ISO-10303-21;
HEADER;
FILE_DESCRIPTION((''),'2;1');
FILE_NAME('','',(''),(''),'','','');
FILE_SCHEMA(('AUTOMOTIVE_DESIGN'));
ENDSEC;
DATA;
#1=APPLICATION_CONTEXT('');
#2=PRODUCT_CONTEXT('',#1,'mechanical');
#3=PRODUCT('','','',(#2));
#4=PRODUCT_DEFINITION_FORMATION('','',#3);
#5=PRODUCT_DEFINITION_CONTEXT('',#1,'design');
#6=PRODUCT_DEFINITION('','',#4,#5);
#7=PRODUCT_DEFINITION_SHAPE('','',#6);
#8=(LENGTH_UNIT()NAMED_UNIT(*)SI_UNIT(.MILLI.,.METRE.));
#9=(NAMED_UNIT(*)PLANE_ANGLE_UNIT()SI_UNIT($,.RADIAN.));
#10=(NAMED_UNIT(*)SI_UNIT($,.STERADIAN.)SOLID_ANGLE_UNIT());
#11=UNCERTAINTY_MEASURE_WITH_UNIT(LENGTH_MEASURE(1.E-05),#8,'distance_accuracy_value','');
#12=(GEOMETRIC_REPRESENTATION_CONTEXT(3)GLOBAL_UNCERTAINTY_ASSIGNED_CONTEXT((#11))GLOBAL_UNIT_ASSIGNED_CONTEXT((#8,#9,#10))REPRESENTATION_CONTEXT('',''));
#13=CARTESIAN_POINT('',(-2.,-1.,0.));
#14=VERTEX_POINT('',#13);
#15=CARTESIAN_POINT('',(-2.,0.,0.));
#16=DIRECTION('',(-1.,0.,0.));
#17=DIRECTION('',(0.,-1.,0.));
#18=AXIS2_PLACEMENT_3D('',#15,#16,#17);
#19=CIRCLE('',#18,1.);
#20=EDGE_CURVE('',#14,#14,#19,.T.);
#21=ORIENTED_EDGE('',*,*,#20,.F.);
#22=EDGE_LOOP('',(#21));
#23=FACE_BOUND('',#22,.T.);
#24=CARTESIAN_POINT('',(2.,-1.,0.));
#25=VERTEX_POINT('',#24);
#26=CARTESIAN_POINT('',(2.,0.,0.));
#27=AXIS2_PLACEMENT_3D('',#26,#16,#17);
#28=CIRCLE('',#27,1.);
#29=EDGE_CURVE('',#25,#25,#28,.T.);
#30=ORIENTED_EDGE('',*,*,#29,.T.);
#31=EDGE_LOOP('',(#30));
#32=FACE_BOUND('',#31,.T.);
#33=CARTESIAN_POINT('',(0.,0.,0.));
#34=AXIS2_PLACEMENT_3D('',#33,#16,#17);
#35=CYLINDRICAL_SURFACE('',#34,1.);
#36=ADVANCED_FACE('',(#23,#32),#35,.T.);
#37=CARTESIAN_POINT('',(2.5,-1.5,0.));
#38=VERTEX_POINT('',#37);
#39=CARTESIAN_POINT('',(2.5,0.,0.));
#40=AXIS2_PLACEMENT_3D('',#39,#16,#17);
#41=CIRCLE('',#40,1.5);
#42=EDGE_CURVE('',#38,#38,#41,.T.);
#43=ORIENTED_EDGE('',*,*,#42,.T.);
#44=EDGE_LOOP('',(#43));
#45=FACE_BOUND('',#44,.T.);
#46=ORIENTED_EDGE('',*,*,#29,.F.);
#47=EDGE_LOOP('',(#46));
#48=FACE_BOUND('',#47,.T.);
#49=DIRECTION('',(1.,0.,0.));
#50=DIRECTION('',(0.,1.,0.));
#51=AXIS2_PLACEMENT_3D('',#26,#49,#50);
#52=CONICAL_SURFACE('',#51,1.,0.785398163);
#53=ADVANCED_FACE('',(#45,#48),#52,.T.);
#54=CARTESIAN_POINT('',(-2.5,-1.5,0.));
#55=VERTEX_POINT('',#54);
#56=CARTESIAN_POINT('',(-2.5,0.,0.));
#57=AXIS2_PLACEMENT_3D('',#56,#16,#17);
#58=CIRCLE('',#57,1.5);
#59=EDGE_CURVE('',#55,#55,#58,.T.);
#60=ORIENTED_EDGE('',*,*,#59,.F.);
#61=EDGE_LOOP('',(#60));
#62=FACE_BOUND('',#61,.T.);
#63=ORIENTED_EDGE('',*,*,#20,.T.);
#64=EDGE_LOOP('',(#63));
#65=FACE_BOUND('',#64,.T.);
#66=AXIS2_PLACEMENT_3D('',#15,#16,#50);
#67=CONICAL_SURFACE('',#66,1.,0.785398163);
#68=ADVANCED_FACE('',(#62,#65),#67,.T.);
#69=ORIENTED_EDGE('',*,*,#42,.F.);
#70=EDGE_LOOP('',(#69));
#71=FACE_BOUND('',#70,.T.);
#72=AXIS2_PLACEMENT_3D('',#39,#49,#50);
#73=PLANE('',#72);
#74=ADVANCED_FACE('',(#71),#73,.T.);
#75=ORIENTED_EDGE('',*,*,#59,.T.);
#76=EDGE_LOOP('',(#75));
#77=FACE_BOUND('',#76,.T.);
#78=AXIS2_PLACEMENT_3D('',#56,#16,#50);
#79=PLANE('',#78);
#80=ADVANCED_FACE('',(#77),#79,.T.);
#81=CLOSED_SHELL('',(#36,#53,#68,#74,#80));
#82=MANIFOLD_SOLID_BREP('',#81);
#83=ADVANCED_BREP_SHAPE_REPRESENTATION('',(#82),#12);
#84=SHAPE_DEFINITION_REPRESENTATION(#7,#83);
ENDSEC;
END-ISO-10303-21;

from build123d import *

# Parameters (mm, degrees)
SKETCH_1_W = 2
SKETCH_1_H = 1


with BuildPart() as part:
    # 草图1 → 旋转1 (revolve)
    with BuildSketch(Plane.XY, mode=Mode.PRIVATE) as revolve_1_sk:
        with Locations((1, 0.5)):
            Rectangle(SKETCH_1_W, SKETCH_1_H)
        Polygon((2.5, 0), (2, 0), (2, 1), (2.5, 1.5), align=None)
    revolve_1 = revolve(revolve_1_sk.sketch.rotate(Axis((0, 0, 0), (1, 0, 0)), 180), axis=Axis((0, 0, 0), (1, 0, 0)))

    # 镜向1: 旋转1 across plane
    add(revolve_1.mirror(Plane.ZY))


solid = part.part
